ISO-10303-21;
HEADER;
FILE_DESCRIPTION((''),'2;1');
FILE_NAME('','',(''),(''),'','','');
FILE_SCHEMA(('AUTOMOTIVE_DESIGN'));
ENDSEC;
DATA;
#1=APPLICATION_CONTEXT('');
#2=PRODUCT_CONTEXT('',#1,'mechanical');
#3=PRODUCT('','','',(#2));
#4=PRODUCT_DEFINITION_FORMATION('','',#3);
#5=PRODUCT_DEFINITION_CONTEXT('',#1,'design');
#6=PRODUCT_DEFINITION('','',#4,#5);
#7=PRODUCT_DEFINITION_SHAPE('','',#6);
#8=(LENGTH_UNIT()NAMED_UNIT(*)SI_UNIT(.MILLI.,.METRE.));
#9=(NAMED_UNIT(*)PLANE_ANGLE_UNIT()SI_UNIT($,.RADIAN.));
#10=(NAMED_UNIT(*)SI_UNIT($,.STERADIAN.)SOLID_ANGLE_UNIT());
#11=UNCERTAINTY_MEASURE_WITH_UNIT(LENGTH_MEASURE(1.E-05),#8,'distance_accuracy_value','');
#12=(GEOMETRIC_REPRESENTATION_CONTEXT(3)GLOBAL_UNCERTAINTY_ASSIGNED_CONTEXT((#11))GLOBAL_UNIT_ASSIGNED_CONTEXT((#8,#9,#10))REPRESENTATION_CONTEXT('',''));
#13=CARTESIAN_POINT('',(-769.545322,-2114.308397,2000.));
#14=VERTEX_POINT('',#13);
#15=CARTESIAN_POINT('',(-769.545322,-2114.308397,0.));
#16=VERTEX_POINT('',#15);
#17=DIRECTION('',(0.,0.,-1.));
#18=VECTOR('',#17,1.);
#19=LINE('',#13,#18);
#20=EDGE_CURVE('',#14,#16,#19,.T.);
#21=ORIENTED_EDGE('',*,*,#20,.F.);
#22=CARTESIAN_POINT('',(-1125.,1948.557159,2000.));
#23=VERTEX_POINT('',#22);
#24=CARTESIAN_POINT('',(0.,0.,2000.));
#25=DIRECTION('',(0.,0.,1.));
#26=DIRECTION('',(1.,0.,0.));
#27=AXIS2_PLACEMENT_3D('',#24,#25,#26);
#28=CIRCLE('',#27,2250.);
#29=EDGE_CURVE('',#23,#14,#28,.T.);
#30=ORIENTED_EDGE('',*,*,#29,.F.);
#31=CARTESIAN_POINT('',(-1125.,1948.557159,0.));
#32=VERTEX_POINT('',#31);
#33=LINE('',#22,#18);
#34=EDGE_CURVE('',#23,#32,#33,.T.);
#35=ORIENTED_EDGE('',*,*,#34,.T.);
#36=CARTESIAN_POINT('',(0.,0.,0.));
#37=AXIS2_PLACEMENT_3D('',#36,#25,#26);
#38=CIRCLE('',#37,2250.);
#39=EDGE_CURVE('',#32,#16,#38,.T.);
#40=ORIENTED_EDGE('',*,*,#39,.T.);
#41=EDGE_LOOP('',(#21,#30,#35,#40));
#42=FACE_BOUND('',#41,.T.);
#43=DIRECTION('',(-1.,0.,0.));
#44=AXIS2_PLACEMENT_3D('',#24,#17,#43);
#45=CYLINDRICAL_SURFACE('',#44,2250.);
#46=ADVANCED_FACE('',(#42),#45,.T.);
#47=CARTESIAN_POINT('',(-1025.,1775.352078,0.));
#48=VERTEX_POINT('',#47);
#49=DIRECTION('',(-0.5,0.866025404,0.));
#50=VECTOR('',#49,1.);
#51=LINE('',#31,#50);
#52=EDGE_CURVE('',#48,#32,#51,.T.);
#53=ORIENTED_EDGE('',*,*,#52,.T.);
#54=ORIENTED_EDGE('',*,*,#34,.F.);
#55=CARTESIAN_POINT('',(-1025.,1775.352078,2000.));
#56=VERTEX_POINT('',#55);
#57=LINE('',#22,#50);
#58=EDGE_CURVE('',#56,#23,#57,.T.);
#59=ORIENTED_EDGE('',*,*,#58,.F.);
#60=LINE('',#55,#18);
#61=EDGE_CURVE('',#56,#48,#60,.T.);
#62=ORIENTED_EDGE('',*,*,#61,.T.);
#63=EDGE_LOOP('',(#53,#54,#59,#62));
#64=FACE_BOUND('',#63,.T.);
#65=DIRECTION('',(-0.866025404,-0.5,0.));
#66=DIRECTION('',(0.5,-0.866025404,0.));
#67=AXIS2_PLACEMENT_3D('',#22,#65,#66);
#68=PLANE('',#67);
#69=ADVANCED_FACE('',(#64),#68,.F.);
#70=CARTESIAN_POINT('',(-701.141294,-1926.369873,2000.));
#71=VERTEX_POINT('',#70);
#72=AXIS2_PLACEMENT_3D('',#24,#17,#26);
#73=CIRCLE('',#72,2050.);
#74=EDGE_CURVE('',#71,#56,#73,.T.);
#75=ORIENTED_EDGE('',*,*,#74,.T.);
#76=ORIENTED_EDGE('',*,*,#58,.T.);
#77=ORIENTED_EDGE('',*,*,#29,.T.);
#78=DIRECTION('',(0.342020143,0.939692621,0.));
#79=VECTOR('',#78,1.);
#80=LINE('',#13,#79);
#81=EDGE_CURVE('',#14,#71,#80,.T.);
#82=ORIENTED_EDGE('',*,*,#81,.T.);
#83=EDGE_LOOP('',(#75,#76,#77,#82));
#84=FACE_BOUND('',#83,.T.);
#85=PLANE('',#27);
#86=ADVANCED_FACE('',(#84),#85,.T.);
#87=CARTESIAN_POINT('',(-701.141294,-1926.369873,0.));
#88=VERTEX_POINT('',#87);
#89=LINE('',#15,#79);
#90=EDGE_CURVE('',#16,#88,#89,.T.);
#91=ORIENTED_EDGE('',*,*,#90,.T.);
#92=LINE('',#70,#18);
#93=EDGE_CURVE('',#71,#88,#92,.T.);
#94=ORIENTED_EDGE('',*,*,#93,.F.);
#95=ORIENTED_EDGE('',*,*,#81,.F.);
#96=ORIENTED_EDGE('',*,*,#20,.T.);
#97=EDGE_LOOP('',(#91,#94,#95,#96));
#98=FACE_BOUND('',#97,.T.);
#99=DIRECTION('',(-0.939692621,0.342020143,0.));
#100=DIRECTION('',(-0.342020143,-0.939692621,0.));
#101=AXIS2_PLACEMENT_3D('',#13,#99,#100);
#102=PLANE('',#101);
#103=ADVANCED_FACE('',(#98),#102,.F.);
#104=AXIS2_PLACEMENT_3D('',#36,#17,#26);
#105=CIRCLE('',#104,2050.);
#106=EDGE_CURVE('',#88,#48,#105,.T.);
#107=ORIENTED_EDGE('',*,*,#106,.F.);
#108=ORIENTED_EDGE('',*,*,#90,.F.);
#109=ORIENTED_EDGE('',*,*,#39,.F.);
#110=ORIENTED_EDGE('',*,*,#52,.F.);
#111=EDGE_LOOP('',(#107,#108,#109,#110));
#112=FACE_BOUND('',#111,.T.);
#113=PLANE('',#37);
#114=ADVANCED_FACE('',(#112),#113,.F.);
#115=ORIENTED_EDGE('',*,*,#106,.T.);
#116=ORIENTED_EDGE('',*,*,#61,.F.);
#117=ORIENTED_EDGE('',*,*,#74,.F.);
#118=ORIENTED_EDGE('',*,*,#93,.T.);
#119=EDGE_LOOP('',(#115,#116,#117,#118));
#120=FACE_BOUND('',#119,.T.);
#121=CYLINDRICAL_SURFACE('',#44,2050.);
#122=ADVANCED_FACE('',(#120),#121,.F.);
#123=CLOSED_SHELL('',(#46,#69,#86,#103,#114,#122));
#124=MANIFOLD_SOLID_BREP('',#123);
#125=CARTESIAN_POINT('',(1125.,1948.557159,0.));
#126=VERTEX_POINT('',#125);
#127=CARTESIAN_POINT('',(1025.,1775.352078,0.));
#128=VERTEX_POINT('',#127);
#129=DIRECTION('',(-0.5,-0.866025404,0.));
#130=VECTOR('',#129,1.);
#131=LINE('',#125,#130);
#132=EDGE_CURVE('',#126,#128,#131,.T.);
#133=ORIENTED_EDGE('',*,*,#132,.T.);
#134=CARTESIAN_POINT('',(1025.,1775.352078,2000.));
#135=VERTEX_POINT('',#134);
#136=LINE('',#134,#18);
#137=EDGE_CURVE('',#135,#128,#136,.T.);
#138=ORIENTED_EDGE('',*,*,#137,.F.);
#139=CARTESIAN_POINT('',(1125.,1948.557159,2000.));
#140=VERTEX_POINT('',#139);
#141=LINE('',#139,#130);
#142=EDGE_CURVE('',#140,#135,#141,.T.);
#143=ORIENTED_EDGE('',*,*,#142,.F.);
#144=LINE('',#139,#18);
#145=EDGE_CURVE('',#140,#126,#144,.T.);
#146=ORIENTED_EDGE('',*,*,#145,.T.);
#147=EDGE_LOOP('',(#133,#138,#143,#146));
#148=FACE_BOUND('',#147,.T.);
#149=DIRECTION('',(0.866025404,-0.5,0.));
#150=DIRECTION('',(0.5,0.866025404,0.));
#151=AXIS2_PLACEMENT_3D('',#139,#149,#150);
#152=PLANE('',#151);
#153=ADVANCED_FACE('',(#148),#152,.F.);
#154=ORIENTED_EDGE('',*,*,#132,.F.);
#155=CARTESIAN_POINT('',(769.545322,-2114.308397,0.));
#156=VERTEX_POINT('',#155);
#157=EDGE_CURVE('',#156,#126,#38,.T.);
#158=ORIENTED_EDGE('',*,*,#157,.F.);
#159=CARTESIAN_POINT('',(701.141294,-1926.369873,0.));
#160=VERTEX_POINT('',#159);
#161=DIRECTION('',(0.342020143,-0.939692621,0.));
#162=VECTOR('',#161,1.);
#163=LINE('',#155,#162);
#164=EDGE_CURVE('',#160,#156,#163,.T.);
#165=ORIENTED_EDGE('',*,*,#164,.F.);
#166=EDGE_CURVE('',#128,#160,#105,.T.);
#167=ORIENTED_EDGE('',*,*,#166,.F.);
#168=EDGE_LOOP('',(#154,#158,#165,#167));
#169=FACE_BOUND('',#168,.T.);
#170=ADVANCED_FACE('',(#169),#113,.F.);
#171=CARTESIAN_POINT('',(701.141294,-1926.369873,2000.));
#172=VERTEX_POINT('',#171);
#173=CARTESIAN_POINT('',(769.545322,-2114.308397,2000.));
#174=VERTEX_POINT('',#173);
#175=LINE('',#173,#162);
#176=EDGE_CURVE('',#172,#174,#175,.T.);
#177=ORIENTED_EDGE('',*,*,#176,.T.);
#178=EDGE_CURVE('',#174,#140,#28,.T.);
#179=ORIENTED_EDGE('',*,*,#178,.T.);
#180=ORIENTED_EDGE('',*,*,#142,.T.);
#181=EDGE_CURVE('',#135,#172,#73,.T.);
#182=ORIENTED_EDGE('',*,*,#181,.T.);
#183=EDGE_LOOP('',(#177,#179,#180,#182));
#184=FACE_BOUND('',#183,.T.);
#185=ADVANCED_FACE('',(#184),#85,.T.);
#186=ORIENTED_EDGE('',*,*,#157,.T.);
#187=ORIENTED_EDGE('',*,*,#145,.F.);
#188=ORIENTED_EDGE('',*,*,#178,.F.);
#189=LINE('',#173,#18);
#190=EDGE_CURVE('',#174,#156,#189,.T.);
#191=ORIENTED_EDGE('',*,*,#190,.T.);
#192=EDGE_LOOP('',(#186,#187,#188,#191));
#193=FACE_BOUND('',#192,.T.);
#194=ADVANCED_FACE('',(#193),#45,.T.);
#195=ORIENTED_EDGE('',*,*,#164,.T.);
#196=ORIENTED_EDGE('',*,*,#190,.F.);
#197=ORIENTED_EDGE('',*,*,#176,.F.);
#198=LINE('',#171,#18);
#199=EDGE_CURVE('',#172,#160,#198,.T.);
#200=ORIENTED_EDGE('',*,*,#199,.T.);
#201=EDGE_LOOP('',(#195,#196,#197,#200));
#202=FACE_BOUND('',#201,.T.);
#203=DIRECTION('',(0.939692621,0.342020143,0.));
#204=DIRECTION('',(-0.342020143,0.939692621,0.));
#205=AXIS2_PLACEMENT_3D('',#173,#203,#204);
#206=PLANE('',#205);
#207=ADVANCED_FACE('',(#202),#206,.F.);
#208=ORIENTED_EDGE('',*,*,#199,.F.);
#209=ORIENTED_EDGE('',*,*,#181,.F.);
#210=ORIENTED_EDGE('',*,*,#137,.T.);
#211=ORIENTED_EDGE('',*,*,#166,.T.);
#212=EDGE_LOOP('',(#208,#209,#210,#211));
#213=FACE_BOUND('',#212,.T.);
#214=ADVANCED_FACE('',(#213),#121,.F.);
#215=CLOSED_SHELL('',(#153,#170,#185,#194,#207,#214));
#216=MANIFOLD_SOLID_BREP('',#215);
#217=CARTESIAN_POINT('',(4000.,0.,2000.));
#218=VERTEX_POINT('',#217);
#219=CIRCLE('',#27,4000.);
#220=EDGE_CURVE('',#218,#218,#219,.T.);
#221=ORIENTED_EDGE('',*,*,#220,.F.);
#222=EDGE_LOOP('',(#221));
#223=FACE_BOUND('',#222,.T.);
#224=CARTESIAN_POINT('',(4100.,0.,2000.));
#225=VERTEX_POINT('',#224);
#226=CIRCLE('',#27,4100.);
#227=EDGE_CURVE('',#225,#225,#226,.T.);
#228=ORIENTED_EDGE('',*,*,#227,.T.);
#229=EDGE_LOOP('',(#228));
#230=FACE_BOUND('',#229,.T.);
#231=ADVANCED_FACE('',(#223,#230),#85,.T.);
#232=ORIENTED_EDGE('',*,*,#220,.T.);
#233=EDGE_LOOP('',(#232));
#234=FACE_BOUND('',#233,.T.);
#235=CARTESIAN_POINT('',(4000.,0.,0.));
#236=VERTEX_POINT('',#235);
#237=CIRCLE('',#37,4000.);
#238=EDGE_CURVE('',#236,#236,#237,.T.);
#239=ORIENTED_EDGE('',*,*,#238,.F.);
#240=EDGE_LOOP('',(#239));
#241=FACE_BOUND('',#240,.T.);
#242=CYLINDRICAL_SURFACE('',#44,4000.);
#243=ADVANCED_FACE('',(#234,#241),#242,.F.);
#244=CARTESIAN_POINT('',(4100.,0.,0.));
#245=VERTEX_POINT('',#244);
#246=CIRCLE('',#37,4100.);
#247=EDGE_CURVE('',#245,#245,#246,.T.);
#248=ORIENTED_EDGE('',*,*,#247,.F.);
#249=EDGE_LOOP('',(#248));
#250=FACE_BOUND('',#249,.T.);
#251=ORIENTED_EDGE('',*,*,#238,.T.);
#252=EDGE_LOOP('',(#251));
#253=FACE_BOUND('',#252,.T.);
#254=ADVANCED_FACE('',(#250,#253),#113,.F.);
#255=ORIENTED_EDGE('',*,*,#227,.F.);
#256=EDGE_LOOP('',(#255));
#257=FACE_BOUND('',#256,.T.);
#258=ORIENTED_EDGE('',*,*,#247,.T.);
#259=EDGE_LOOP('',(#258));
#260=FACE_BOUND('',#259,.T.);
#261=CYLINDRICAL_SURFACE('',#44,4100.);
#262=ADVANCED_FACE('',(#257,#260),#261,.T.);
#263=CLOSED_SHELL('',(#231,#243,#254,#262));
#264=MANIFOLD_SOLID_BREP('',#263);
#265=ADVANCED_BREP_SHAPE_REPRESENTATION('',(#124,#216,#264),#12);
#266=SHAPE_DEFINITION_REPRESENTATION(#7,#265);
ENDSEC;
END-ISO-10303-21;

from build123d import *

# Parameters (mm, degrees)
SKETCH_1_R        = 4100
SKETCH_1_R_2      = 4000
EXTRUDE_1_DEPTH   = 2000
EXTRUDE_2_DEPTH   = 2000
EXTRUDE_2_2_DEPTH = 2000


with BuildPart() as part:
    # 草图1 → 凸台-拉伸1 (new body)
    with BuildSketch(Plane.XY):
        Circle(SKETCH_1_R)
        Circle(SKETCH_1_R_2, mode=Mode.SUBTRACT)
    extrude(amount=EXTRUDE_1_DEPTH)


with BuildPart() as body_2:
    # 草图2 → 凸台-拉伸2 (new body)
    with BuildSketch(Plane.XY):
        with BuildLine():
            Line((-769.545322483, -2114.308396768), (-701.141293818, -1926.369872611))
            ThreePointArc((-701.141293818, -1926.369872611), (-2042.199131088, -178.669272633), (-1025, 1775.352077758))
            Line((-1025, 1775.352077758), (-1125, 1948.557158515))
            ThreePointArc((-1125, 1948.557158515), (-2241.438070706, -196.100421182), (-769.545322483, -2114.308396768))
        make_face()
    extrude(amount=EXTRUDE_2_DEPTH)


with BuildPart() as body_3:
    # 草图2 → Extrude 2 2 (new body)
    with BuildSketch(Plane.XY):
        with BuildLine():
            Line((769.545322483, -2114.308396768), (701.141293818, -1926.369872611))
            ThreePointArc((701.141293818, -1926.369872611), (2042.199131088, -178.669272633), (1025, 1775.352077758))
            Line((1025, 1775.352077758), (1125, 1948.557158515))
            ThreePointArc((1125, 1948.557158515), (2241.438070706, -196.100421182), (769.545322483, -2114.308396768))
        make_face()
    extrude(amount=EXTRUDE_2_2_DEPTH)


solid = Compound([part.part, body_2.part, body_3.part])
